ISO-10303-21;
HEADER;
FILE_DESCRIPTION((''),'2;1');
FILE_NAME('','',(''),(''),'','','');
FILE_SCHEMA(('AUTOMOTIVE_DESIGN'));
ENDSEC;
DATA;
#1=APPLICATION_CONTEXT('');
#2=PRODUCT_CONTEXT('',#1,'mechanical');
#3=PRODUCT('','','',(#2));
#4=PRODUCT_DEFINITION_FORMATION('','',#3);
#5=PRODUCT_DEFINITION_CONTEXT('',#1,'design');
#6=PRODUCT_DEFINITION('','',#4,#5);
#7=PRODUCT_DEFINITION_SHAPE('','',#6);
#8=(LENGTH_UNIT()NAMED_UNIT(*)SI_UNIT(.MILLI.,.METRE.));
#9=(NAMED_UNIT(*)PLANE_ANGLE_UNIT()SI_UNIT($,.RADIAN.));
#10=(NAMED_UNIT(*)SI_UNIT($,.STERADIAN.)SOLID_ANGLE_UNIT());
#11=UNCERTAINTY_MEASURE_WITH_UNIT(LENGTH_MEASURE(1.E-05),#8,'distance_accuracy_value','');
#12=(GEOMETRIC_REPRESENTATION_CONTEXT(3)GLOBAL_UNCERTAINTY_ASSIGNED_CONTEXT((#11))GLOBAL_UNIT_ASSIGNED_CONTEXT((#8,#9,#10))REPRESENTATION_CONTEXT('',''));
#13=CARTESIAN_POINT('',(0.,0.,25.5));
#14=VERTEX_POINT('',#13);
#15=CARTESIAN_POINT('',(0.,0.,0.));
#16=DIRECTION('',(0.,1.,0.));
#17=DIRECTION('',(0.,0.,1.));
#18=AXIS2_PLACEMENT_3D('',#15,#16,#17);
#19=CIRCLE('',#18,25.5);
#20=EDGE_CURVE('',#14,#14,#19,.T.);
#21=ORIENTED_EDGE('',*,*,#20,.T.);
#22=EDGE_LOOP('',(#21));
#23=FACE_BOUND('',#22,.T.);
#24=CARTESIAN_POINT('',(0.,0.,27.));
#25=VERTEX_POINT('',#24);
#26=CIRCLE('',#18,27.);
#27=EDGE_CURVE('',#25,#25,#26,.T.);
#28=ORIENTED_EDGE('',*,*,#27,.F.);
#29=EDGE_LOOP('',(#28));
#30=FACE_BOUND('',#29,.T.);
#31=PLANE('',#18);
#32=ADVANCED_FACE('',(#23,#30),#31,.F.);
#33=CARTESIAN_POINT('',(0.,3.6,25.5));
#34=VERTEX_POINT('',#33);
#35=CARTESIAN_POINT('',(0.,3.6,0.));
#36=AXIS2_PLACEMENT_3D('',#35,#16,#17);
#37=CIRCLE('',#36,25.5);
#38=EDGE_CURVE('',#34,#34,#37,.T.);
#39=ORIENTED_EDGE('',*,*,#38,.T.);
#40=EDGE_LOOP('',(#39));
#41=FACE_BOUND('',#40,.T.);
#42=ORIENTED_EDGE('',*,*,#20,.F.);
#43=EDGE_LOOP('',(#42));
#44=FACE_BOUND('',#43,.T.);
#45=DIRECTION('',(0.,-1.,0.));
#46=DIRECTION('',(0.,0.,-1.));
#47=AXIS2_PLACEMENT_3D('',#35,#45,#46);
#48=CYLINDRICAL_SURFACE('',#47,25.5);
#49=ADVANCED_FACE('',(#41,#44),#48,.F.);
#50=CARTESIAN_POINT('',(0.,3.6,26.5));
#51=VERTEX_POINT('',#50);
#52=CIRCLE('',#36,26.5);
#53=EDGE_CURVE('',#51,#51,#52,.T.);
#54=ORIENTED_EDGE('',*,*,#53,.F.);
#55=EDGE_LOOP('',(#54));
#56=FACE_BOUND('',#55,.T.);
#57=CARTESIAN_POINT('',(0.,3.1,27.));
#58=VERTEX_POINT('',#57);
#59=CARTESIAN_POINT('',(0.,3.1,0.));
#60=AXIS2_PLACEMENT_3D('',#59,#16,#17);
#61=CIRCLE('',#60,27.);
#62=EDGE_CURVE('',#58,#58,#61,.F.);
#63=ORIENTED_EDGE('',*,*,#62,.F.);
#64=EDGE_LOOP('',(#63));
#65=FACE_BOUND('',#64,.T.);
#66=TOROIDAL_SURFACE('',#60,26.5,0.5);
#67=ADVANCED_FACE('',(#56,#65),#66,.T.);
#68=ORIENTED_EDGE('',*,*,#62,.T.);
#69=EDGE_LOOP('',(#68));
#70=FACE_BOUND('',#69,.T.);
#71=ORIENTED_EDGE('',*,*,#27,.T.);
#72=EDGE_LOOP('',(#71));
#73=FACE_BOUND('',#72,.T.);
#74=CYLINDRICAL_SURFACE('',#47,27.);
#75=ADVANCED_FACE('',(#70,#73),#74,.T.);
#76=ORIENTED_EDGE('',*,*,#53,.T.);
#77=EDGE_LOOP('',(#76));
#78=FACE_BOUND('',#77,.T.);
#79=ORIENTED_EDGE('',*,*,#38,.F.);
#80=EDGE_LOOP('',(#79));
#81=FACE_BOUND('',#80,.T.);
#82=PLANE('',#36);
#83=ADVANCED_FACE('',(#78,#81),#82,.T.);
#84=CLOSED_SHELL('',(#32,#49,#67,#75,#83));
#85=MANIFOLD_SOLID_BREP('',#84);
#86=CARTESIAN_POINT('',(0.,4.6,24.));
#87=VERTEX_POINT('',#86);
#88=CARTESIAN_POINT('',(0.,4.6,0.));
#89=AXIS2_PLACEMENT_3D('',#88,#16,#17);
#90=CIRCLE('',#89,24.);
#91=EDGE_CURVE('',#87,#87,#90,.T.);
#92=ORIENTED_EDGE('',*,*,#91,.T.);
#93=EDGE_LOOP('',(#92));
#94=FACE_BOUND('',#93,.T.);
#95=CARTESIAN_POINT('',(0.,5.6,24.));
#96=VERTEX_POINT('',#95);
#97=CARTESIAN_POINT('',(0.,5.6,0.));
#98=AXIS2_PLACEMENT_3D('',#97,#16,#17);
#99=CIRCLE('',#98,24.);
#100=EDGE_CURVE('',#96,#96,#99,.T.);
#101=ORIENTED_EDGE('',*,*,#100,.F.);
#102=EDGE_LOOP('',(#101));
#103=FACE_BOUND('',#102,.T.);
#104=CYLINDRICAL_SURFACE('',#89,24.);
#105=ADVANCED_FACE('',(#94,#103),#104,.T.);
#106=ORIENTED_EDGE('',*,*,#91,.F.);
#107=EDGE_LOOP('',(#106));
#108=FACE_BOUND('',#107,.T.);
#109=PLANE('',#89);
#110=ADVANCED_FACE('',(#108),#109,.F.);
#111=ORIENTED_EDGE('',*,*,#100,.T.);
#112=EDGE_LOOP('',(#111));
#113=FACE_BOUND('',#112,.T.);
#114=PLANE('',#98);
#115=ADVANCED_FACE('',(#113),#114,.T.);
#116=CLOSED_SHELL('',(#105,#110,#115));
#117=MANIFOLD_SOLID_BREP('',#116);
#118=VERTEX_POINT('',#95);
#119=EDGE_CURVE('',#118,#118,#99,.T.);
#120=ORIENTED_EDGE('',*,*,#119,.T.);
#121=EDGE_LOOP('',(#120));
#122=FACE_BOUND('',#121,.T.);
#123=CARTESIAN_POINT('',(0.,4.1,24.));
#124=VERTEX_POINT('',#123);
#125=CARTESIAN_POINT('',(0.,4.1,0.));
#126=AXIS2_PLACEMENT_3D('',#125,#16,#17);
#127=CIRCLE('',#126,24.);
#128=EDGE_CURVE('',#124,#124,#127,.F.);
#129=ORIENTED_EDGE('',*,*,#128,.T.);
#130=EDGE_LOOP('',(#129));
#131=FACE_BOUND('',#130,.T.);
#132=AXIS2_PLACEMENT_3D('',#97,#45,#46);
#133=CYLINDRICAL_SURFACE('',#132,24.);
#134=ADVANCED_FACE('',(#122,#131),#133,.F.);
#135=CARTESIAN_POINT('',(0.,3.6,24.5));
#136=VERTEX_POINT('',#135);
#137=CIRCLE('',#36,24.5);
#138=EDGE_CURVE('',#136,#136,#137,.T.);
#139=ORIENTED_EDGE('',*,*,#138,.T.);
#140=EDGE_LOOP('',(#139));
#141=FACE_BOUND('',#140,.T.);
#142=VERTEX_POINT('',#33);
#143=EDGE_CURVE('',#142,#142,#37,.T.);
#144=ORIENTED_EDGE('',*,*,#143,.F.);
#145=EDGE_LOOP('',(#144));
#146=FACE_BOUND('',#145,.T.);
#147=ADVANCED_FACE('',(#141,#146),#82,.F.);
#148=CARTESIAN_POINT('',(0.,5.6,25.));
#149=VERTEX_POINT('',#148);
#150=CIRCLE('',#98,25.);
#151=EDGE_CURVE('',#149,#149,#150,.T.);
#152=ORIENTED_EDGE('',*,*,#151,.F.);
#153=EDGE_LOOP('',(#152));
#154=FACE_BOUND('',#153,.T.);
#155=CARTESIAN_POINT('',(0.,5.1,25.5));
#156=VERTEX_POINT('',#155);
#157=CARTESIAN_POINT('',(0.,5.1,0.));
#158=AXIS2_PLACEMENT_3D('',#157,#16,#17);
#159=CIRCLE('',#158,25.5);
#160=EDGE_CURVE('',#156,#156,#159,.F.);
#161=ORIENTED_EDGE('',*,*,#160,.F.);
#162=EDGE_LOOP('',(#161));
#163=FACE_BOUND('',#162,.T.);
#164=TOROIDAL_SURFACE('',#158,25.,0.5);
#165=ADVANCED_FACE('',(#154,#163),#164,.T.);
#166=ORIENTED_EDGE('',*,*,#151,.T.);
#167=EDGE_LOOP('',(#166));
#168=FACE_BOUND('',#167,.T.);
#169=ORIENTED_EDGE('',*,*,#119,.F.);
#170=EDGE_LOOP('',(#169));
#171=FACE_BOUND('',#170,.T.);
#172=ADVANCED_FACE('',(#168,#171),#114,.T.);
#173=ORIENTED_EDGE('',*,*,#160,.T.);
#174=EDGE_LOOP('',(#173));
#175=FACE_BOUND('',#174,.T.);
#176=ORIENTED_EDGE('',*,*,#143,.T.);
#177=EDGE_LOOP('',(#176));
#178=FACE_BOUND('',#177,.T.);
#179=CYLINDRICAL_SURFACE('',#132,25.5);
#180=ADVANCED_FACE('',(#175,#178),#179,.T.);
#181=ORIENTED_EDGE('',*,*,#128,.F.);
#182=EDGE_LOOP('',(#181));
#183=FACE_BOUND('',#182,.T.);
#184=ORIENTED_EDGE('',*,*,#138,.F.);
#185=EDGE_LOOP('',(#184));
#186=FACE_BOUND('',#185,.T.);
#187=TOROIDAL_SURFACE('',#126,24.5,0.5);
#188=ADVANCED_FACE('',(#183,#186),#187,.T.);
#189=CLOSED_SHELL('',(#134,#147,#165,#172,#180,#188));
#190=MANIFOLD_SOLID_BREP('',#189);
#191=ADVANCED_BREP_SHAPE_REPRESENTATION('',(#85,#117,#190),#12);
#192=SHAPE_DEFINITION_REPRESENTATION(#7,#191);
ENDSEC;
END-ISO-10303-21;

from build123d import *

# Parameters (mm, degrees)
SKETCH1_R           = 27
SKETCH1_R_2         = 25.5
BOSS_EXTRUDE1_DEPTH = 3.6
SKETCH2_R           = 25.5
SKETCH2_R_2         = 24
BOSS_EXTRUDE2_DEPTH = 2
FILLET2_R           = 0.5
FILLET4_R           = 0.5
SKETCH3_R           = 24
BOSS_EXTRUDE4_DEPTH = 1


with BuildPart() as part:
    # Sketch1 → Boss-Extrude1 (new body)
    with BuildSketch(Plane(origin=(0, 0, 0), x_dir=(1, 0, 0), z_dir=(0, 1, 0))):
        with Locations(Location((0, 0, 0), (0, 0, 270))):
            Circle(SKETCH1_R)
        with Locations(Location((0, 0, 0), (0, 0, 270))):
            Circle(SKETCH1_R_2, mode=Mode.SUBTRACT)
    extrude(amount=BOSS_EXTRUDE1_DEPTH)

    # Fillet4
    fillet4_edges = [part.edges().sort_by_distance(p)[0] for p in [
        (0, 3.6, -27),
    ]]
    fillet(fillet4_edges, radius=FILLET4_R)


with BuildPart() as body_2:
    # Sketch2 → Boss-Extrude2 (new body)
    with BuildSketch(Plane(origin=(0, 3.6, 0), x_dir=(1, 0, 0), z_dir=(0, 1, 0))):
        with Locations(Location((0, 0, 0), (0, 0, 270))):
            Circle(SKETCH2_R)
        with Locations(Location((0, 0, 0), (0, 0, 270))):
            Circle(SKETCH2_R_2, mode=Mode.SUBTRACT)
    extrude(amount=BOSS_EXTRUDE2_DEPTH)

    # Fillet2
    fillet2_edges = [body_2.edges().sort_by_distance(p)[0] for p in [
        (0, 5.6, -25.5),
        (0, 3.6, -24),
    ]]
    fillet(fillet2_edges, radius=FILLET2_R)


with BuildPart() as body_3:
    # Sketch3 → Boss-Extrude4 (new body)
    with BuildSketch(Plane(origin=(0, 5.6, 0), x_dir=(1, 0, 0), z_dir=(0, 1, 0))):
        with Locations(Location((0, 0, 0), (0, 0, 270))):
            Circle(SKETCH3_R)
    extrude(amount=-BOSS_EXTRUDE4_DEPTH)


solid = Compound([part.part, body_2.part, body_3.part])
